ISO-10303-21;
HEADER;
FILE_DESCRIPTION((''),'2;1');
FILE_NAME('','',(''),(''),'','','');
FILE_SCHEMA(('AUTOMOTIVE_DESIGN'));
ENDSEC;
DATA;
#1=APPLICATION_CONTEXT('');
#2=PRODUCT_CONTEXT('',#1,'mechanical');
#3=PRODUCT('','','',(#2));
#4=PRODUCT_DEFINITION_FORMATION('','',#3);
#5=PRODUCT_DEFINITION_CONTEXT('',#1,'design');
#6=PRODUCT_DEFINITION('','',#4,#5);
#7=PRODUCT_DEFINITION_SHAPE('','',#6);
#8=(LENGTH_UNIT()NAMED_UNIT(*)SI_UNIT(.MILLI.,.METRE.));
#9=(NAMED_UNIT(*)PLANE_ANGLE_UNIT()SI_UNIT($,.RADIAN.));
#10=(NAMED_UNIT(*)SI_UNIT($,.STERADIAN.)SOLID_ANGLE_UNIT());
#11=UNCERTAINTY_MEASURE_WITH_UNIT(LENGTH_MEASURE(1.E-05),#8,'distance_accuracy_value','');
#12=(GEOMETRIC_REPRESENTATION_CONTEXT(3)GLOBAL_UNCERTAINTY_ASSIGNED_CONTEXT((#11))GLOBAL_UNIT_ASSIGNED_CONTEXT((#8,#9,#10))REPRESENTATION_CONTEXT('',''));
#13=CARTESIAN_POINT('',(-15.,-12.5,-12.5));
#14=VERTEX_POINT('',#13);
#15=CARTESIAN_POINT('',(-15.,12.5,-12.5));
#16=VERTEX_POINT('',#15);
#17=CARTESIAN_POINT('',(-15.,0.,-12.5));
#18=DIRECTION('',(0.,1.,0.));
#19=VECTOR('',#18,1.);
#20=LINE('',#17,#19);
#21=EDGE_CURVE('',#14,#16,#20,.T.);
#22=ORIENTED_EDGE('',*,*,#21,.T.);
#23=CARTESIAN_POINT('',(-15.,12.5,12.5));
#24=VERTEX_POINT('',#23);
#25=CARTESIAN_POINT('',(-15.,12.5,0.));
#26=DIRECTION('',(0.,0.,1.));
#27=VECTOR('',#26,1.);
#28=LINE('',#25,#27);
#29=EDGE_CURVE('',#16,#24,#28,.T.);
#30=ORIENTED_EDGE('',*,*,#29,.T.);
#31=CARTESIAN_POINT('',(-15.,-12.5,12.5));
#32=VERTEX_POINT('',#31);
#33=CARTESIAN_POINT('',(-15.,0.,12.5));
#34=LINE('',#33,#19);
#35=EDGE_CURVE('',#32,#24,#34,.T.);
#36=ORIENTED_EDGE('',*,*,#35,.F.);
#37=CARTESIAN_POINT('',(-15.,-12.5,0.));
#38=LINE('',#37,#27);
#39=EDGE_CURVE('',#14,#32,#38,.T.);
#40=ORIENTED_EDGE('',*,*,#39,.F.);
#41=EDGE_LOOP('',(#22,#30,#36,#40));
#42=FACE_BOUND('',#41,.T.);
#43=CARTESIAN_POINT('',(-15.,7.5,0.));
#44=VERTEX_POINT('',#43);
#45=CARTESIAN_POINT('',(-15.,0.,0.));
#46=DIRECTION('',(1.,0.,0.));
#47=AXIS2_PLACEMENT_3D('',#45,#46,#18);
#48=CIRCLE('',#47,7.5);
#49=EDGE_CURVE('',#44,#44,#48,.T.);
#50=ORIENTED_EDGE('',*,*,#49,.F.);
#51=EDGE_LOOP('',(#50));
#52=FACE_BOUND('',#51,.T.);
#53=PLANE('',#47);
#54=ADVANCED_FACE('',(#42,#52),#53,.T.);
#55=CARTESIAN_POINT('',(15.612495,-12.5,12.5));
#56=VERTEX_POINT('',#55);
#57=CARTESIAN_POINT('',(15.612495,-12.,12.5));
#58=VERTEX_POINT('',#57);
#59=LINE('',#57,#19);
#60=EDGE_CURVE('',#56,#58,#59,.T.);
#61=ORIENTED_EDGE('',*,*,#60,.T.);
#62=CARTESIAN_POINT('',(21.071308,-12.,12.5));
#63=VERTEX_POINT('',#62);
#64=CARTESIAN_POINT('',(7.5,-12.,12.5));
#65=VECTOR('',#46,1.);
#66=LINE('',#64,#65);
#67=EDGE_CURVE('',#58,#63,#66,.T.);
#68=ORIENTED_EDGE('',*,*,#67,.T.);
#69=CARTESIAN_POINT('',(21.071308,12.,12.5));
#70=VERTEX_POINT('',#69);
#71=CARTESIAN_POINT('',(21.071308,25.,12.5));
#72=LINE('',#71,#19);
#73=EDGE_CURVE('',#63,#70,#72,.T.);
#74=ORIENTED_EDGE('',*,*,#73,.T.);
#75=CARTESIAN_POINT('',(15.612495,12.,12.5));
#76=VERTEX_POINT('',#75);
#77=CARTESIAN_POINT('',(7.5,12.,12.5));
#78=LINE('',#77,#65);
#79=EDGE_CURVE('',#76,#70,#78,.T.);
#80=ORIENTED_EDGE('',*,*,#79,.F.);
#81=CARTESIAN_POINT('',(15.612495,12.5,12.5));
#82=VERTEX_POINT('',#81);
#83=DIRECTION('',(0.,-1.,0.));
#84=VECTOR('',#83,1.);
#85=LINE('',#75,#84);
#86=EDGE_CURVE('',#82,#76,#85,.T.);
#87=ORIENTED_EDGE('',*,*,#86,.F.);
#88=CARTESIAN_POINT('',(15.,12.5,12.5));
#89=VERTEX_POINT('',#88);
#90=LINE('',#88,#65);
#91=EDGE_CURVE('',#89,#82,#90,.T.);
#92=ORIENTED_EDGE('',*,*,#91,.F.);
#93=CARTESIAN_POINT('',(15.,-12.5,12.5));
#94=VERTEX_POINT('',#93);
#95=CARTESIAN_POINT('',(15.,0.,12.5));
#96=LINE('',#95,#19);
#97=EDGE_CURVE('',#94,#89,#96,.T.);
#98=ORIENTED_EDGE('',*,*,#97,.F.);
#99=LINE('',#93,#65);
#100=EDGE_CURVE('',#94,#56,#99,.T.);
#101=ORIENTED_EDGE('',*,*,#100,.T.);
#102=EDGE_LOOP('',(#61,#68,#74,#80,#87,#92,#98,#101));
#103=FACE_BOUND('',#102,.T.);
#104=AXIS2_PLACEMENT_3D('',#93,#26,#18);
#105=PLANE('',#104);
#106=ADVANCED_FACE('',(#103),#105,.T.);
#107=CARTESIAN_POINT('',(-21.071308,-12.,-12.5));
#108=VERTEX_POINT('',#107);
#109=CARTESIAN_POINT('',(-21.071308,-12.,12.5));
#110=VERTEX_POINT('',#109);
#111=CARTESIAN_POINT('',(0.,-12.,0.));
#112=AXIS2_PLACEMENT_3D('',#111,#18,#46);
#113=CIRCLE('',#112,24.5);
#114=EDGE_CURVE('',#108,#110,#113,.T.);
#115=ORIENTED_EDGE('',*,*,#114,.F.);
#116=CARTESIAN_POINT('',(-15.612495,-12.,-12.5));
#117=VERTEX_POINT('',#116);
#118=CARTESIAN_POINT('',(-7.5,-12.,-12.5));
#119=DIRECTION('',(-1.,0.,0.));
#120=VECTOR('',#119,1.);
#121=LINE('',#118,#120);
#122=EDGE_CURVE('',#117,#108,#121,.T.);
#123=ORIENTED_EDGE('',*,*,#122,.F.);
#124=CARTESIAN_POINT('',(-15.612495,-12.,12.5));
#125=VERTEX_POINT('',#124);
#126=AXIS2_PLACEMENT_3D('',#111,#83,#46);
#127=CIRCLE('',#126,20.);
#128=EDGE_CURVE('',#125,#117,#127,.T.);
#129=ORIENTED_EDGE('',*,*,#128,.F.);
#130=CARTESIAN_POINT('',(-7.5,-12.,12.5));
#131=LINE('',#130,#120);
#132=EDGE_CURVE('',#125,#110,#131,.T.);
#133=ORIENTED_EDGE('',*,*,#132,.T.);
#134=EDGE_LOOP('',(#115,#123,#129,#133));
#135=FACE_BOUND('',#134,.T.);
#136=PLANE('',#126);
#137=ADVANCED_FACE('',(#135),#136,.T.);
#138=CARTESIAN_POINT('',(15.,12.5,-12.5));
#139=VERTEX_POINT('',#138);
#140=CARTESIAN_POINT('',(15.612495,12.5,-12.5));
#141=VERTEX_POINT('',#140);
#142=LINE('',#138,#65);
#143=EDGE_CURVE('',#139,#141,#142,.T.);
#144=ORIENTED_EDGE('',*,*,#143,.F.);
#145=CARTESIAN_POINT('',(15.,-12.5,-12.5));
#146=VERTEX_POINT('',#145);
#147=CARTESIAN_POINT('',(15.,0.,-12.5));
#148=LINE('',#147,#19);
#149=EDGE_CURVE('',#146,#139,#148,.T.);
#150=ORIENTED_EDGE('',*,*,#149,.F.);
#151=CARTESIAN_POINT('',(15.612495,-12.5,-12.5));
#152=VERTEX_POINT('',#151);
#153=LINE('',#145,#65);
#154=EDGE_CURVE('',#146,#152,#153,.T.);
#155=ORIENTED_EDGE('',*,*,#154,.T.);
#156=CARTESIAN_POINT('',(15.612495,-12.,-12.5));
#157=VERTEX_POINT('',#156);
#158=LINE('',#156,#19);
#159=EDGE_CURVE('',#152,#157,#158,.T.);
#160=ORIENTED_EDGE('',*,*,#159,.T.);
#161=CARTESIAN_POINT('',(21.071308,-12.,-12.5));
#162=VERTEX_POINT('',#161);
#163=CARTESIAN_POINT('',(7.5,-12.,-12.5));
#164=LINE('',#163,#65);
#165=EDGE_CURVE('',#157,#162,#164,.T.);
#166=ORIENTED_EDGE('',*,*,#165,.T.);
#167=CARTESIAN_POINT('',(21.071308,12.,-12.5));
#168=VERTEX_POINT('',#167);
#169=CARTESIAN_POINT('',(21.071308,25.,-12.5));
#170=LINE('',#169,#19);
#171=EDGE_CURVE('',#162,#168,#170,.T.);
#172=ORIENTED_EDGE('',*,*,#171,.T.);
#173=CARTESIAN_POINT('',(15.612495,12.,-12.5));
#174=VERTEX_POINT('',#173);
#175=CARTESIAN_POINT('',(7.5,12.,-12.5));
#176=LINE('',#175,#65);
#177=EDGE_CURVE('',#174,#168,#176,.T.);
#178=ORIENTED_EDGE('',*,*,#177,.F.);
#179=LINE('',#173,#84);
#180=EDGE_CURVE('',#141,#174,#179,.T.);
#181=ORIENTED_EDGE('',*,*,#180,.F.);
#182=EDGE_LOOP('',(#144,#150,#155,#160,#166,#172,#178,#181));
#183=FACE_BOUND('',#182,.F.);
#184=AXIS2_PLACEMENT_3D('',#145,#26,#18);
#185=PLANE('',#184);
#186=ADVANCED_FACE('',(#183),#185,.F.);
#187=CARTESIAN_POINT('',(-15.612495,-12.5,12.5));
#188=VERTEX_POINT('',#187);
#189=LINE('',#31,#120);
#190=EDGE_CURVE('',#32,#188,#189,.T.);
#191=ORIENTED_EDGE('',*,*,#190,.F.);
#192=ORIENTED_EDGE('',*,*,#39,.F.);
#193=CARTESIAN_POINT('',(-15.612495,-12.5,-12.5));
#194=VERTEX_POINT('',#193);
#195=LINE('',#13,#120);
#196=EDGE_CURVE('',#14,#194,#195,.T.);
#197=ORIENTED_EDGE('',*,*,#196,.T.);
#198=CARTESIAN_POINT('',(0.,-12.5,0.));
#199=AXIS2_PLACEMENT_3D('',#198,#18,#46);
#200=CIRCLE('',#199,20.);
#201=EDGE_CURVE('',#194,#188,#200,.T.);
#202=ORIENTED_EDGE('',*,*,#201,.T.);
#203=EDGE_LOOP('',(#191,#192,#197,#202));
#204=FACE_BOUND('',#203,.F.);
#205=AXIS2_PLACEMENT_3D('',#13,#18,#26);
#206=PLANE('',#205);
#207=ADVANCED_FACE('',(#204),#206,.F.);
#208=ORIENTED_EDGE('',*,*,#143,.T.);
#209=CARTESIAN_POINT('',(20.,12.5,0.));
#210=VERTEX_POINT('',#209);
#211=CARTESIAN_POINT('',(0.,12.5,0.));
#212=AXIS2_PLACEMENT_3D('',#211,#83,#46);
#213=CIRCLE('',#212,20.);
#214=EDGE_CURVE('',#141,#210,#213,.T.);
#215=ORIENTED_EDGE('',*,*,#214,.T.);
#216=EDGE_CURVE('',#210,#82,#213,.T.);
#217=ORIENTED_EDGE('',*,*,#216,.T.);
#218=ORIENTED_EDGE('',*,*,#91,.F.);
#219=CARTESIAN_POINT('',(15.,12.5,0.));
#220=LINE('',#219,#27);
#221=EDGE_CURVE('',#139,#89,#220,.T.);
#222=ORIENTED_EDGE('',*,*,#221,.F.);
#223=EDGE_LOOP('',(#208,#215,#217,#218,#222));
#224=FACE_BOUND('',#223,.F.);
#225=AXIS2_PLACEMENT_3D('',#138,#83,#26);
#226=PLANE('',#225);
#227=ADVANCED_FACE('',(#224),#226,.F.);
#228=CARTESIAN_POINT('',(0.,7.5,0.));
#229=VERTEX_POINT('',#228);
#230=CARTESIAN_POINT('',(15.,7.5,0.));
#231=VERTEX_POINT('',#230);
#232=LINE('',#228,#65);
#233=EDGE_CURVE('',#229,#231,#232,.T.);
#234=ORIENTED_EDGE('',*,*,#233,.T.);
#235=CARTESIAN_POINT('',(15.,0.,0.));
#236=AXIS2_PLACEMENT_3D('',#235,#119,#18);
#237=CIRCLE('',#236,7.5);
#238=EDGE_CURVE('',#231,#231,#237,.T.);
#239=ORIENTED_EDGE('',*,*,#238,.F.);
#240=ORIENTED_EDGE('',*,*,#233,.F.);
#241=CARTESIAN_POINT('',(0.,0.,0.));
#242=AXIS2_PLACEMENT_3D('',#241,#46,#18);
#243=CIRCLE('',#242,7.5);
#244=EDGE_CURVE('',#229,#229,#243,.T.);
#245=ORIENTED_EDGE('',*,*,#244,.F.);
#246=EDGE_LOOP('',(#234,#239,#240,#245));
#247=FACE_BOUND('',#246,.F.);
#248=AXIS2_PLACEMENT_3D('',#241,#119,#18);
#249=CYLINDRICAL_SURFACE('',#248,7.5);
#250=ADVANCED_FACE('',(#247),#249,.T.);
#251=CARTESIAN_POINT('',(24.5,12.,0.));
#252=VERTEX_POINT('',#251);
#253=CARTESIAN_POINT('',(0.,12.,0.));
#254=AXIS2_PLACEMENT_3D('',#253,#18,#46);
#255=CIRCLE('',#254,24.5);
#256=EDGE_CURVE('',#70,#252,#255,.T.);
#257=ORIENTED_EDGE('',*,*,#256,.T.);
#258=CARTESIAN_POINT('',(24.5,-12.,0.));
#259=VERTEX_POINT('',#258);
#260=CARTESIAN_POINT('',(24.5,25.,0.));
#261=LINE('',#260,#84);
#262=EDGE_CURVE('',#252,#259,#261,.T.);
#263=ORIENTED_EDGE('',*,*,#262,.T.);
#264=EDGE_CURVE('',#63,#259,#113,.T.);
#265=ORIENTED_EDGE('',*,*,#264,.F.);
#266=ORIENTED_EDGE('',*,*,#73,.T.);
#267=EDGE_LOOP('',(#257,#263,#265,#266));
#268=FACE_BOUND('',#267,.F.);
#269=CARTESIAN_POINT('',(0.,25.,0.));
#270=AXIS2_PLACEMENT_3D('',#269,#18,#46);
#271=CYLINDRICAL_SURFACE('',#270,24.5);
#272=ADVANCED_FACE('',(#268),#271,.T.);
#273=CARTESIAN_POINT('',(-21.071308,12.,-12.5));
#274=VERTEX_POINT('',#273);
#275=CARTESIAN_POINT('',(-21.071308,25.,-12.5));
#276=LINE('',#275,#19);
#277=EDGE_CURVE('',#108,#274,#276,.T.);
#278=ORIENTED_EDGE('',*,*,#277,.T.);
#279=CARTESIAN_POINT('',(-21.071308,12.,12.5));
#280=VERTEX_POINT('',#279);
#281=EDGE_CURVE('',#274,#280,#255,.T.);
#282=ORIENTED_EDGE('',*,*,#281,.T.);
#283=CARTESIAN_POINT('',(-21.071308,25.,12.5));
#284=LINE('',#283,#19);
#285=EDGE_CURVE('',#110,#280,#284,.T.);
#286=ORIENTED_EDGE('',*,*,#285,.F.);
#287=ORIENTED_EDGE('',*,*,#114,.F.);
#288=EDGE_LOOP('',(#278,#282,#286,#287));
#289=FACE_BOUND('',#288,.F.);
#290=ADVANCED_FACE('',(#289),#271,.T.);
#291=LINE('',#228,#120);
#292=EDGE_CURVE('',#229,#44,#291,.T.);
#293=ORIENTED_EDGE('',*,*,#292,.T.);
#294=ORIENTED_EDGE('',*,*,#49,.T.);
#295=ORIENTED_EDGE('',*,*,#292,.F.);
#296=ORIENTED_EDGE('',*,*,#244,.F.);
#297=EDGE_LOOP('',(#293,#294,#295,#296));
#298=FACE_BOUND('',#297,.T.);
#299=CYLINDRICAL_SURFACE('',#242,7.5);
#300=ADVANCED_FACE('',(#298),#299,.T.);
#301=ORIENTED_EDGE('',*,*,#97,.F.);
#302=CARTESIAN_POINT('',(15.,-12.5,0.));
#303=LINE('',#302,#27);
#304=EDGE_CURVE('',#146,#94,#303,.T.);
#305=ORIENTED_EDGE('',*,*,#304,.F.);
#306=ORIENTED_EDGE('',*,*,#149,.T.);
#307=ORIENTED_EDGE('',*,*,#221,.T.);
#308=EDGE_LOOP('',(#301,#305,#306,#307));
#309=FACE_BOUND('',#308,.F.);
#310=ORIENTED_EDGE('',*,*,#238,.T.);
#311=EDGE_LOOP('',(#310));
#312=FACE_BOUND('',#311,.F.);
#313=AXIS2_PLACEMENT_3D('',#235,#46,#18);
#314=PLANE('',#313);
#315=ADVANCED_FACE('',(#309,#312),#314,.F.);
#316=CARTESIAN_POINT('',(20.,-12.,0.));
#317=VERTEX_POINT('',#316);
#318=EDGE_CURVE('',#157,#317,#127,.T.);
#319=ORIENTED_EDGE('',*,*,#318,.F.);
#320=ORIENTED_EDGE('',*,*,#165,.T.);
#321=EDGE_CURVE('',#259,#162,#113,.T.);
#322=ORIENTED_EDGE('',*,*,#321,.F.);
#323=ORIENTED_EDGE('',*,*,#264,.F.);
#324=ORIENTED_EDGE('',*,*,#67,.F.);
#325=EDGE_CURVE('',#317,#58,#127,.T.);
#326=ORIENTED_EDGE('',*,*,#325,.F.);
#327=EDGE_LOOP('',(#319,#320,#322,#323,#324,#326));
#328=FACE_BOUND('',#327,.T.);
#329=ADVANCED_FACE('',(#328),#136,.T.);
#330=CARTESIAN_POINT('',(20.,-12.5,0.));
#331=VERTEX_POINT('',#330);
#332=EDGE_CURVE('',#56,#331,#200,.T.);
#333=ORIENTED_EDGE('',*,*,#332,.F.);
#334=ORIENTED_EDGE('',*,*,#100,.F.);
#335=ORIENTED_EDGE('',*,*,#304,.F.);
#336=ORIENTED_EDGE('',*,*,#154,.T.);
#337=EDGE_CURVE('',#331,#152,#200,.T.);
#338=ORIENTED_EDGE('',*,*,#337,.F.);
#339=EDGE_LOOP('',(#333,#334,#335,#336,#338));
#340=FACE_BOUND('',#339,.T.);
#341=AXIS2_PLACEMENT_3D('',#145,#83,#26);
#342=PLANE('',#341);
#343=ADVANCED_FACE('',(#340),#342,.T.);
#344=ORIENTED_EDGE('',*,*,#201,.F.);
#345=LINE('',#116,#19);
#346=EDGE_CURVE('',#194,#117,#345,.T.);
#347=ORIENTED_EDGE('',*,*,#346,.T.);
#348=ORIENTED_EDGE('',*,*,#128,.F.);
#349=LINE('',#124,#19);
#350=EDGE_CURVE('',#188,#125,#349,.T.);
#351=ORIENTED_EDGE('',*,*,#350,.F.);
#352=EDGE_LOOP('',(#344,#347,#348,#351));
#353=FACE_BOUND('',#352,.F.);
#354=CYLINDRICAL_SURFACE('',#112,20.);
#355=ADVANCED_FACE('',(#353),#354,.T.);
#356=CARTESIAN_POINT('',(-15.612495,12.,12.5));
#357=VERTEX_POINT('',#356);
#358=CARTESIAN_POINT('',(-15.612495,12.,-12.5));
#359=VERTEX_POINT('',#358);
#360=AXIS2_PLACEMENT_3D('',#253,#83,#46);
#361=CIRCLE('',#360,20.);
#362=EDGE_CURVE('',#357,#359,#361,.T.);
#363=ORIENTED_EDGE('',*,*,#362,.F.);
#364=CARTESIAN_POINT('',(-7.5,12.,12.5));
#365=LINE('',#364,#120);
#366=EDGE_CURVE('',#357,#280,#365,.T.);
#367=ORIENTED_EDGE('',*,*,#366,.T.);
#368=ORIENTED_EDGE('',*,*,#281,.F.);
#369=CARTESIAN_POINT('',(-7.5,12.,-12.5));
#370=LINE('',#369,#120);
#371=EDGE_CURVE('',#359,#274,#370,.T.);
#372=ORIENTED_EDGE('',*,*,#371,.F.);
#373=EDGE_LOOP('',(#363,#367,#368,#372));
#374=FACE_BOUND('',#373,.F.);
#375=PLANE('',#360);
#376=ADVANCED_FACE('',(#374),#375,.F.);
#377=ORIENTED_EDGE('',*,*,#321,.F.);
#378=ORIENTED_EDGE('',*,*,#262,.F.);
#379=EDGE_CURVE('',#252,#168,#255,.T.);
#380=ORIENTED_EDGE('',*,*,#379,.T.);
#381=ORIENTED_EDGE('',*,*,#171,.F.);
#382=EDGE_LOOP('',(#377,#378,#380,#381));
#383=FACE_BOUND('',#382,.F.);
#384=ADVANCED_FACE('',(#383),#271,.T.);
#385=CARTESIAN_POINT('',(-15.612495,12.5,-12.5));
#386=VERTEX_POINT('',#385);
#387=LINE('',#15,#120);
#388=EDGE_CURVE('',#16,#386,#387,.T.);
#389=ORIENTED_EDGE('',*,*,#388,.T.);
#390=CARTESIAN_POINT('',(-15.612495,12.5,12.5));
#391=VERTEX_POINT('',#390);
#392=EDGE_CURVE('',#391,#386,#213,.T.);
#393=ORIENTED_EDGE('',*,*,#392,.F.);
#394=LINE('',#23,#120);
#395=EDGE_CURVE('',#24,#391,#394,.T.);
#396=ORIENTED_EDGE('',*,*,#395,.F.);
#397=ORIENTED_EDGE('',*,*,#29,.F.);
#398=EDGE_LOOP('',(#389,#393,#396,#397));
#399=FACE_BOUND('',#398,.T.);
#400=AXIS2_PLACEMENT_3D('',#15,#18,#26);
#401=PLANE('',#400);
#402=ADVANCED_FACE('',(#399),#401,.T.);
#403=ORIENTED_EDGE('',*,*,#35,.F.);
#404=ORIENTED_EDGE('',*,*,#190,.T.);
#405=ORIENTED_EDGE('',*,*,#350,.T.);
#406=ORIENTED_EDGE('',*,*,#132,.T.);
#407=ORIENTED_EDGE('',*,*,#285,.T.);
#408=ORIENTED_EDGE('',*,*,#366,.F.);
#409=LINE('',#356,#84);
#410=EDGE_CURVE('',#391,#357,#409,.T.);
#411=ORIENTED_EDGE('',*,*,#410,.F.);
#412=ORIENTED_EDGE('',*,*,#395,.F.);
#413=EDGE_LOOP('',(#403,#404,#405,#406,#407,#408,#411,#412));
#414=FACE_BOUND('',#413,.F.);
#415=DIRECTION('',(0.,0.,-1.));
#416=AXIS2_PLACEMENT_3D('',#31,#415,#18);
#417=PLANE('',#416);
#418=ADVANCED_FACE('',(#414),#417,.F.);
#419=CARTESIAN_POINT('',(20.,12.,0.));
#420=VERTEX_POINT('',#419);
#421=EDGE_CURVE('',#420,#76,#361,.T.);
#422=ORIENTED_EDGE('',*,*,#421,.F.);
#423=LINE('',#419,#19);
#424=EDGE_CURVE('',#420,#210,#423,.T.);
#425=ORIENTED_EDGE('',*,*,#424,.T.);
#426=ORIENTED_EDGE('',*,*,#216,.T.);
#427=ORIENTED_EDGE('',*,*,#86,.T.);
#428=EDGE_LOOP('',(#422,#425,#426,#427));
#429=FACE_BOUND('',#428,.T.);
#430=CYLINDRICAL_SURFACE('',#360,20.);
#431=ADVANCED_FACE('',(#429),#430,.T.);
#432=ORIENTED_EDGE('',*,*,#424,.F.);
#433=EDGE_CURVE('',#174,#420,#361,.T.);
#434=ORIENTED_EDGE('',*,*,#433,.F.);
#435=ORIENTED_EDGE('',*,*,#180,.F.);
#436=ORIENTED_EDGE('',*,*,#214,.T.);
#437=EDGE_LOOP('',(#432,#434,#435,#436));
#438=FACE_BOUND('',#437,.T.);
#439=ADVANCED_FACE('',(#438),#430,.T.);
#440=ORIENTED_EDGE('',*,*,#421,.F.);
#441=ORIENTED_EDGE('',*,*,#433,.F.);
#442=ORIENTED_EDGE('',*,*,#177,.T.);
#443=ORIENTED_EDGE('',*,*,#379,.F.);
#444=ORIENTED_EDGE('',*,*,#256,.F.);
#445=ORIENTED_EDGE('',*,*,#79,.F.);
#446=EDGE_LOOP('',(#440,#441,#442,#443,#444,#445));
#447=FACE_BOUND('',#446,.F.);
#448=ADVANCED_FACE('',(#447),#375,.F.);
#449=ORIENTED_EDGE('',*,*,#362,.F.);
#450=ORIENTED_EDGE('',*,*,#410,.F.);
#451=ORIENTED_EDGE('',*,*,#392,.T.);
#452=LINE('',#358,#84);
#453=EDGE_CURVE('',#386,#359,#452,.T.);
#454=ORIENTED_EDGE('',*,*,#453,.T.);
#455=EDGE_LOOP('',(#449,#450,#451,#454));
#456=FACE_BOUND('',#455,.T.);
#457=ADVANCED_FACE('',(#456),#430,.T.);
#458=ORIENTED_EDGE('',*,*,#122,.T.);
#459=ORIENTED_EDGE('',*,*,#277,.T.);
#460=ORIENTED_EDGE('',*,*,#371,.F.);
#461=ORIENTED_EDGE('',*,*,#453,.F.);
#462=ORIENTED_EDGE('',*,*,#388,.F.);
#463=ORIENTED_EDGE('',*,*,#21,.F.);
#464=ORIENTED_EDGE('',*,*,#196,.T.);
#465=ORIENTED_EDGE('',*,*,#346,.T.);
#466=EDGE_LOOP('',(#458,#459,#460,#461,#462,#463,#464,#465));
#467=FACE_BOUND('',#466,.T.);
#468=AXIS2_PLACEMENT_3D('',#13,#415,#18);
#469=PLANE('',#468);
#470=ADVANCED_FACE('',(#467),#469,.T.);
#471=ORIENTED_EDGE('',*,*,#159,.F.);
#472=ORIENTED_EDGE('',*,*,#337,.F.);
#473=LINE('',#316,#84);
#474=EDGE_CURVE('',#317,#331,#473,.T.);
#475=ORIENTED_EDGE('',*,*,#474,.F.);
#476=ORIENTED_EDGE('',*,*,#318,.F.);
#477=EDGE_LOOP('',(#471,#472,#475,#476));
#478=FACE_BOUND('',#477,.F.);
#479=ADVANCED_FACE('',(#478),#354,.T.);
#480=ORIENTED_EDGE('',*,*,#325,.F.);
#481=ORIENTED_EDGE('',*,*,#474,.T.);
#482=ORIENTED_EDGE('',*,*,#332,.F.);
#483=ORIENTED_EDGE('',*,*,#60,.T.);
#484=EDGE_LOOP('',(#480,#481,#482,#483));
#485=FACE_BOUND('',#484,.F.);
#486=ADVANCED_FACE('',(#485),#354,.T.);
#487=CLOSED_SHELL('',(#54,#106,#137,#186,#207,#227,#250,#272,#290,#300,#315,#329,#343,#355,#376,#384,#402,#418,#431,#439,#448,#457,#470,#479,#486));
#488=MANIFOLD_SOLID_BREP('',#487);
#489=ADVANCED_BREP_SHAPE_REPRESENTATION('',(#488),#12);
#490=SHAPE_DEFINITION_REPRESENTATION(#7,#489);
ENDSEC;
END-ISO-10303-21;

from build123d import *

# Parameters (mm, degrees)
F1_START      = -15
F0_W          = 25
F0_H          = 25
F0_R          = 7.5
F1_DEPTH      = 10
F2_START      = 15
F2_DEPTH      = 10
F3_DEPTH      = 16
F3_DEPTH_BACK = 16
F5_START      = -25
F4_R          = 24.5
F5_DEPTH      = 50
F7_START      = -12
F6_R          = 37.8818681869
F6_R_2        = 20
F7_DEPTH      = 13
F8_START      = 12
F8_DEPTH      = 13


with BuildPart() as f1:
    # F0 (on Right) → F1 (new body)
    with BuildSketch(Plane.YZ.offset(F1_START)):
        Rectangle(F0_W, F0_H)
        Circle(F0_R, mode=Mode.SUBTRACT)
        Circle(F0_R)
    extrude(amount=-F1_DEPTH)



with BuildPart() as f2:
    # F0 (on Right) → F2 (new body)
    with BuildSketch(Plane.YZ.offset(F2_START)):
        Rectangle(F0_W, F0_H)
        Circle(F0_R, mode=Mode.SUBTRACT)
        Circle(F0_R)
    extrude(amount=F2_DEPTH)


with BuildPart() as f1_1:
    add(f1.part)

    add(f2.part)  # F3 merges F2
    # F0 (on Right) → F3 (join, two sides)
    with BuildSketch(Plane.YZ) as f3_sk:
        Circle(F0_R)
    extrude(amount=F3_DEPTH)
    extrude(f3_sk.sketch, amount=-F3_DEPTH_BACK)

    # F4 (on Front) → F5 (intersect)
    with BuildSketch(Plane.XZ.offset(F5_START)):
        Circle(F4_R)
    extrude(amount=F5_DEPTH, mode=Mode.INTERSECT)

    # F6 (on Front) → F7 (cut)
    with BuildSketch(Plane.XZ.offset(F7_START)):
        Circle(F6_R)
        Circle(F6_R_2, mode=Mode.SUBTRACT)
    extrude(amount=-F7_DEPTH, mode=Mode.SUBTRACT)

    # F6 (on Front) → F8 (cut)
    with BuildSketch(Plane.XZ.offset(F8_START)):
        Circle(F6_R)
        Circle(F6_R_2, mode=Mode.SUBTRACT)
    extrude(amount=F8_DEPTH, mode=Mode.SUBTRACT)


solid = f1_1.part
